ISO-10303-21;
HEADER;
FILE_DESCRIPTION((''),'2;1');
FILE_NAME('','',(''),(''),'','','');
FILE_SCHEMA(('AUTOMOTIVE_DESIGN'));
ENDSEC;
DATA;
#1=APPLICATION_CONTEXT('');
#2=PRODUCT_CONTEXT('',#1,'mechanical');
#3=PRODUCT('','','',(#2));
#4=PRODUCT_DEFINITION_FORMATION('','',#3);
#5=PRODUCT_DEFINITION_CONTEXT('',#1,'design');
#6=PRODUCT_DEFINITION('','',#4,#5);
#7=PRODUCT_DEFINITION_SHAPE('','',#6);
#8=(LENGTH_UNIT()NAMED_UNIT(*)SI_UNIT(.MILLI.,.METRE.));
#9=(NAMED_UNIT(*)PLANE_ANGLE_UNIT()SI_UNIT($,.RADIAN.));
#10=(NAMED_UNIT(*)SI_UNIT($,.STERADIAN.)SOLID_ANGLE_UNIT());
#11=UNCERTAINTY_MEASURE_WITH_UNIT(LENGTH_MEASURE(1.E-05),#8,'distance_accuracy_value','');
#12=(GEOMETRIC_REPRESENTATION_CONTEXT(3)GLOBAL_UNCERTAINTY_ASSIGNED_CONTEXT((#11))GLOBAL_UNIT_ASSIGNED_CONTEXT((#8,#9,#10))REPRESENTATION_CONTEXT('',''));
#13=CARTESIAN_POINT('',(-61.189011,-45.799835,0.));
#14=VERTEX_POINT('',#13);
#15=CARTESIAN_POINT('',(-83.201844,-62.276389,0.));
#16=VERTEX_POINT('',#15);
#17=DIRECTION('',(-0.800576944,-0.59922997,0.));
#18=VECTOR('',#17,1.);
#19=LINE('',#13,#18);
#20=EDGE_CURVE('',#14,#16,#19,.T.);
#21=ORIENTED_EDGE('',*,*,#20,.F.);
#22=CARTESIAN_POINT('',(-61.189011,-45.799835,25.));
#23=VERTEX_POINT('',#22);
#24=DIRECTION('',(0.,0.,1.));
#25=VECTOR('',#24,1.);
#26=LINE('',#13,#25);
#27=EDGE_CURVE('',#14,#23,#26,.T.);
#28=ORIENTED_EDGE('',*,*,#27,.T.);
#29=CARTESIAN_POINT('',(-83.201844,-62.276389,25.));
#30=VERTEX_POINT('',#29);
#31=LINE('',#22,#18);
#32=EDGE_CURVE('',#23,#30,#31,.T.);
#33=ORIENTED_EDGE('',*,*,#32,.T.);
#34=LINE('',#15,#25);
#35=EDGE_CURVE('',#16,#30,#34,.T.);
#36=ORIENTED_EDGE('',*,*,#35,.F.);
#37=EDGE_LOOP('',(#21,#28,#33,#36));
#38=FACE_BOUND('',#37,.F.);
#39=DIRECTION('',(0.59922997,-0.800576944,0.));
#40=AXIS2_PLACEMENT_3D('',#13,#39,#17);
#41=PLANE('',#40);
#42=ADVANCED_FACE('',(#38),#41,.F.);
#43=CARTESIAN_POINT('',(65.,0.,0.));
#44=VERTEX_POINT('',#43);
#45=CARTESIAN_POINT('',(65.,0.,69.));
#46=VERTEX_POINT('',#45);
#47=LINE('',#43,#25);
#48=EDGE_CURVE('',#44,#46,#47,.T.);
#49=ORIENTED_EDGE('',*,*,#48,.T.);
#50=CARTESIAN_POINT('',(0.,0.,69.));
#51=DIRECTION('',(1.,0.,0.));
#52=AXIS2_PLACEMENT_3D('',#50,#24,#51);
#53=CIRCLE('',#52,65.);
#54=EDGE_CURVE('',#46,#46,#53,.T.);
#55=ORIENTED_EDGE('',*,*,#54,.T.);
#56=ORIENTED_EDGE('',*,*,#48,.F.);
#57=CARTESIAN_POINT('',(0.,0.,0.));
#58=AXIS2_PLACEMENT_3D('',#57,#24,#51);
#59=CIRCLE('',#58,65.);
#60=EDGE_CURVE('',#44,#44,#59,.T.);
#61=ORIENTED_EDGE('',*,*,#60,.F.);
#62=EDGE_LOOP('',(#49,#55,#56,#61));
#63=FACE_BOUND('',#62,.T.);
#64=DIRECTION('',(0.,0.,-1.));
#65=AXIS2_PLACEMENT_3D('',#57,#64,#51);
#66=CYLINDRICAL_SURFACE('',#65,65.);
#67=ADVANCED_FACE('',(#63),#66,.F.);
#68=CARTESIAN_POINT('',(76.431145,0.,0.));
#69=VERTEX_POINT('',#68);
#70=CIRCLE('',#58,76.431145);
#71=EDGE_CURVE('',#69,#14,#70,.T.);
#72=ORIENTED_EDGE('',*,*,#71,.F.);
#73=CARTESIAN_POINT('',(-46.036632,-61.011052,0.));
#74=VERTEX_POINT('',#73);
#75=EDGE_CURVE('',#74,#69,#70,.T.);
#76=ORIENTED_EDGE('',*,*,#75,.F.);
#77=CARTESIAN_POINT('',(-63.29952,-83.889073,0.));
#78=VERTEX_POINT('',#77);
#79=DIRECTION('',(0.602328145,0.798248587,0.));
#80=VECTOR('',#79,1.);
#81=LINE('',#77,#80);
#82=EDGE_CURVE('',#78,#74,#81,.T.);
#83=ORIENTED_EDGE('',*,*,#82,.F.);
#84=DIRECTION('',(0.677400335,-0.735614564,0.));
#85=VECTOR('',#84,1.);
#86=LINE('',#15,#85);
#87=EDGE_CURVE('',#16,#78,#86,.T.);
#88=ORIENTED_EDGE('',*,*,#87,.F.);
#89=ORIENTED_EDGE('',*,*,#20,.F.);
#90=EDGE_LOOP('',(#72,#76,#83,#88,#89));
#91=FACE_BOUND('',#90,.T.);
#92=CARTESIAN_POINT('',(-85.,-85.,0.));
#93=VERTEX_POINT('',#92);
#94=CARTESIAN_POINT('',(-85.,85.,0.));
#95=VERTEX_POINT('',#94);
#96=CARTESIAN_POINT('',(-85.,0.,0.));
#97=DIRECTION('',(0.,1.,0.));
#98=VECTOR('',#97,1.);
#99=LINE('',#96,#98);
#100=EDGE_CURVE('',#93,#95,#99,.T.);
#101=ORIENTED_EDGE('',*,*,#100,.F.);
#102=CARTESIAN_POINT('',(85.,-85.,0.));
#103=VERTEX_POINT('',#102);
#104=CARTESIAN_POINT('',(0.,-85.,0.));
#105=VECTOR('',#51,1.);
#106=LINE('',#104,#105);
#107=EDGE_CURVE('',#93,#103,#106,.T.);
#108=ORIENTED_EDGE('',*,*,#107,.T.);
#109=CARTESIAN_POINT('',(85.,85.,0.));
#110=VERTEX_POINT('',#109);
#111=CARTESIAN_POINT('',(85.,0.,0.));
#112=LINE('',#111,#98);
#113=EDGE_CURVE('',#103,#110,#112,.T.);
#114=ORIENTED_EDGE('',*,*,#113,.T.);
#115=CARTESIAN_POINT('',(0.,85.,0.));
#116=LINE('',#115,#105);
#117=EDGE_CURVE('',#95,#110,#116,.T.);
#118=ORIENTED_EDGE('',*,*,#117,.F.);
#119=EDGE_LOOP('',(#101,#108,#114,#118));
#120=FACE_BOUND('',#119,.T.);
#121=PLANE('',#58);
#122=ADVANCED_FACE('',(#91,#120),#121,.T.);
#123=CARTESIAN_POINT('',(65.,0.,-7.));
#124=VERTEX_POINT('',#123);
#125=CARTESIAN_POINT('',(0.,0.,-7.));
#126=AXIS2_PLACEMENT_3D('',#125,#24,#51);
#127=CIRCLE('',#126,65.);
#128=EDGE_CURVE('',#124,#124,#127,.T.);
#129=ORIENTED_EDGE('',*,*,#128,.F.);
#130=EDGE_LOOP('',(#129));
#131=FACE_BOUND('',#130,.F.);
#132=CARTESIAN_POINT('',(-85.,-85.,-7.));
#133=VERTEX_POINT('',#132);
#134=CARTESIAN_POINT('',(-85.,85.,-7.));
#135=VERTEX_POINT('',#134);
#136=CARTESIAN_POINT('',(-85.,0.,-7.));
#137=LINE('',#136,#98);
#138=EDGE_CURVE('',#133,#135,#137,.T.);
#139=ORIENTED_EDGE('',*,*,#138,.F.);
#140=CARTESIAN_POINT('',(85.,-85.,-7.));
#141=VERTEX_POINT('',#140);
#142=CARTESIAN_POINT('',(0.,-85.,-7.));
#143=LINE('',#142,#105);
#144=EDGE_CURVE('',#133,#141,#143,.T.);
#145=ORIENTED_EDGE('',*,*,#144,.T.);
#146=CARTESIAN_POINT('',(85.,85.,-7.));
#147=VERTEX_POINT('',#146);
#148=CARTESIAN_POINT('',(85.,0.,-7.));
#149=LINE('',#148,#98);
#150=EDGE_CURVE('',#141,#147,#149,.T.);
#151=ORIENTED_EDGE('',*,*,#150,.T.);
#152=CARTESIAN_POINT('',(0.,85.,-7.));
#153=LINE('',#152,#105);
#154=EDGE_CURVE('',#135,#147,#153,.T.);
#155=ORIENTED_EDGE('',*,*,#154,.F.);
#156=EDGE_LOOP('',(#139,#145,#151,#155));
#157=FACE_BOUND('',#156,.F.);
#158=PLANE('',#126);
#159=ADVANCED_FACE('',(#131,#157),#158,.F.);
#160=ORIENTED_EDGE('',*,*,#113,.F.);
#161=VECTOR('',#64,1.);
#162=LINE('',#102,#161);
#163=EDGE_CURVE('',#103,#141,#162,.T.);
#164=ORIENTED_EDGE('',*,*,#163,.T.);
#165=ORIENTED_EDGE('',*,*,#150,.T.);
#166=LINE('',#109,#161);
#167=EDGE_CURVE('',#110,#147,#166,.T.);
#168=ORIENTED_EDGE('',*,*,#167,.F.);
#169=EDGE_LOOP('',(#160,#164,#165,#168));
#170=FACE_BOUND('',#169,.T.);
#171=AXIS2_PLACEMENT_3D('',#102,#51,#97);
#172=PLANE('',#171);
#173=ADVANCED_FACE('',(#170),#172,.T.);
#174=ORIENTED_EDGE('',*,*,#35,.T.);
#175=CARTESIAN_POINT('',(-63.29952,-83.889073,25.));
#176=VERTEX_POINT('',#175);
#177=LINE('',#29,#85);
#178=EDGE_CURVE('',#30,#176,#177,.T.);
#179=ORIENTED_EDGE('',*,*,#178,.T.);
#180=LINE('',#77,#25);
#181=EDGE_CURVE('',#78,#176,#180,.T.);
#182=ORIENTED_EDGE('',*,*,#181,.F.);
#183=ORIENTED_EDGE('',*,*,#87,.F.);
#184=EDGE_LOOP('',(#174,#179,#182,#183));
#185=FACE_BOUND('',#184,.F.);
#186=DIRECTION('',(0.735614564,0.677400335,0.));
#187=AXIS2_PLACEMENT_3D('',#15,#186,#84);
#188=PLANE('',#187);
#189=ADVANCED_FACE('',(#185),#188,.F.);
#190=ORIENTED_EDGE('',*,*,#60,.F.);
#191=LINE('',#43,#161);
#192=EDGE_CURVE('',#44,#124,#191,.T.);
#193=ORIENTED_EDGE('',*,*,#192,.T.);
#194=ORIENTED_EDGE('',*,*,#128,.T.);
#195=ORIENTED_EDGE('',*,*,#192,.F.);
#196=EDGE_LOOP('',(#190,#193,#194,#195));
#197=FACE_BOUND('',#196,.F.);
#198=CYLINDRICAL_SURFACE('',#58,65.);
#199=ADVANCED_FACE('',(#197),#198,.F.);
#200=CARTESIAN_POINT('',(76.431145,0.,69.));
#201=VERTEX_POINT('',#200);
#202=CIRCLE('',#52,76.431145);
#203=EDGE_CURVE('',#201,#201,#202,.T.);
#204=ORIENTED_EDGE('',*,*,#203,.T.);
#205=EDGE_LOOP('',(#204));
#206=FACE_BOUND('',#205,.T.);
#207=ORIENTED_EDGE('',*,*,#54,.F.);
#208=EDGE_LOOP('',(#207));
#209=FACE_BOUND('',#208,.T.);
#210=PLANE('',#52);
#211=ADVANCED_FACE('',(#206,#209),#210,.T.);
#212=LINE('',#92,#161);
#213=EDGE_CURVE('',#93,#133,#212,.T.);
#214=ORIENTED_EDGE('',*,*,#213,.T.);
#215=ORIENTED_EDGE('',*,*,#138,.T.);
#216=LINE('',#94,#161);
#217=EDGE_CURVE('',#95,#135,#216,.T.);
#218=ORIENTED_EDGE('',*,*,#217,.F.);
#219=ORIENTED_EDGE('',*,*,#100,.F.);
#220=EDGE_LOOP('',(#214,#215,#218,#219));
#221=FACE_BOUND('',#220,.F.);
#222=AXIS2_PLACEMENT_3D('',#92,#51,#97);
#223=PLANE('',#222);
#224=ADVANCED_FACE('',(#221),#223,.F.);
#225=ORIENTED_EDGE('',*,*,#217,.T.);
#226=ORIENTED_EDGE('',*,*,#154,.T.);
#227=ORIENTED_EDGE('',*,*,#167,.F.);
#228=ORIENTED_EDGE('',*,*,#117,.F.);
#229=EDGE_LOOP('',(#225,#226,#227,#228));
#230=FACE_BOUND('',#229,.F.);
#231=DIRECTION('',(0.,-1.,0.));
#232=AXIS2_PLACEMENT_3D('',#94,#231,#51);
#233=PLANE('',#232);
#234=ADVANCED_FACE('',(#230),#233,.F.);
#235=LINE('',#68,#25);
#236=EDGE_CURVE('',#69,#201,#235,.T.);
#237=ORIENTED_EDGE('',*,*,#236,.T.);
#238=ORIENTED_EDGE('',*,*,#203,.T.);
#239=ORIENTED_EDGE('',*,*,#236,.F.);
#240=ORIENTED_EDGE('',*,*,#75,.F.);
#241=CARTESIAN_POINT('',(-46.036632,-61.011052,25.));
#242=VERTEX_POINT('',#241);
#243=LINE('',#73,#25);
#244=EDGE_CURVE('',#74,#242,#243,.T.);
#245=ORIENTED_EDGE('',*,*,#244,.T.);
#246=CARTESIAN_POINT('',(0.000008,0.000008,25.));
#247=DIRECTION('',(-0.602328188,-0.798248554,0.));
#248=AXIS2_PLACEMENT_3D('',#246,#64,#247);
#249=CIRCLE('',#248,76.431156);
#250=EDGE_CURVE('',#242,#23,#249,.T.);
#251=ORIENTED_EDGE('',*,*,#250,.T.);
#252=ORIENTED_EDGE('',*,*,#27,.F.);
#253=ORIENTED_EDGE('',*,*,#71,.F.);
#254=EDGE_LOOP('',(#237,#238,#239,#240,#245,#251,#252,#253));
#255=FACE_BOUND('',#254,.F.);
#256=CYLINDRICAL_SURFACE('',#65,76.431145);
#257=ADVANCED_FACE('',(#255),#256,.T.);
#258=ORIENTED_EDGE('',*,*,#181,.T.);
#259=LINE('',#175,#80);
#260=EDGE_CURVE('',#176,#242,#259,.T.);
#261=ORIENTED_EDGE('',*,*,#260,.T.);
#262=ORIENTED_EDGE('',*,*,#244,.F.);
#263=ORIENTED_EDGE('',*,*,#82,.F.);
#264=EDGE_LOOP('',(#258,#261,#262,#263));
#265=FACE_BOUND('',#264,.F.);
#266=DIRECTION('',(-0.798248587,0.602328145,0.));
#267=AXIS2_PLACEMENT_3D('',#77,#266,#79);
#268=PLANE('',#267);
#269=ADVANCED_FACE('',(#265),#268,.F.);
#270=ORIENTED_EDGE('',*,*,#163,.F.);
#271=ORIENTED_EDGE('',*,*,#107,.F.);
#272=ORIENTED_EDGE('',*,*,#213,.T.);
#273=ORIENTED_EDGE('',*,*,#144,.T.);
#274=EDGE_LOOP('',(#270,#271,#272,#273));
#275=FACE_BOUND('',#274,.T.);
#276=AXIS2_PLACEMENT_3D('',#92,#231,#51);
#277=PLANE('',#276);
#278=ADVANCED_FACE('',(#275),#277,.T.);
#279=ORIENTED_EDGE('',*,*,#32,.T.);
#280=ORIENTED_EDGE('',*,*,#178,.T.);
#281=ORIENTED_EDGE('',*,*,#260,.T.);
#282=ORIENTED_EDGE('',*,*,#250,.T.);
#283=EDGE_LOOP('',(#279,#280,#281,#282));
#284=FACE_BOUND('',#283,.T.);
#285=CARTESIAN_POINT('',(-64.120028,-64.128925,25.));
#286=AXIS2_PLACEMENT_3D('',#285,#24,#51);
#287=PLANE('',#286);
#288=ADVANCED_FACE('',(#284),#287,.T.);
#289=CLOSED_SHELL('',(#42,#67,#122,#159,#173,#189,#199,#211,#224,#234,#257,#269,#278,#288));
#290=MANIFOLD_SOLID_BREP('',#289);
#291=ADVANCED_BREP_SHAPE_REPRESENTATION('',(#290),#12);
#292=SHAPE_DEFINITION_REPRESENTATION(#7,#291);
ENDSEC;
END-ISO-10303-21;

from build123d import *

# Parameters (mm, degrees)
F0_R     = 76.431145
F0_R_2   = 65
F1_DEPTH = 69
F0_W     = 170
F0_H     = 170
F2_DEPTH = 7
F4_DEPTH = 25


with BuildPart() as f1:
    # F0 (on Top) → F1 (new body)
    with BuildSketch(Plane.XY):
        Circle(F0_R)
        Circle(F0_R_2, mode=Mode.SUBTRACT)
    extrude(amount=F1_DEPTH)

    # F0 (on Top) → F2 (join)
    with BuildSketch(Plane.XY):
        Rectangle(F0_W, F0_H)
        Circle(F0_R, mode=Mode.SUBTRACT)
        Circle(F0_R)
        Circle(F0_R_2, mode=Mode.SUBTRACT)
    extrude(amount=-F2_DEPTH)

    # F3 (on face) → F4 (join)
    with BuildSketch(Plane.XY):
        with BuildLine():
            ThreePointArc((-46.036632, -61.011052), (-54.149607, -53.940152), (-61.189011, -45.799835))
            Line((-61.189011, -45.799835), (-83.201844, -62.276389))
            Line((-83.201844, -62.276389), (-63.29952, -83.889073))
            Line((-63.29952, -83.889073), (-46.036632, -61.011052))
        make_face()
    extrude(amount=F4_DEPTH)


solid = f1.part
